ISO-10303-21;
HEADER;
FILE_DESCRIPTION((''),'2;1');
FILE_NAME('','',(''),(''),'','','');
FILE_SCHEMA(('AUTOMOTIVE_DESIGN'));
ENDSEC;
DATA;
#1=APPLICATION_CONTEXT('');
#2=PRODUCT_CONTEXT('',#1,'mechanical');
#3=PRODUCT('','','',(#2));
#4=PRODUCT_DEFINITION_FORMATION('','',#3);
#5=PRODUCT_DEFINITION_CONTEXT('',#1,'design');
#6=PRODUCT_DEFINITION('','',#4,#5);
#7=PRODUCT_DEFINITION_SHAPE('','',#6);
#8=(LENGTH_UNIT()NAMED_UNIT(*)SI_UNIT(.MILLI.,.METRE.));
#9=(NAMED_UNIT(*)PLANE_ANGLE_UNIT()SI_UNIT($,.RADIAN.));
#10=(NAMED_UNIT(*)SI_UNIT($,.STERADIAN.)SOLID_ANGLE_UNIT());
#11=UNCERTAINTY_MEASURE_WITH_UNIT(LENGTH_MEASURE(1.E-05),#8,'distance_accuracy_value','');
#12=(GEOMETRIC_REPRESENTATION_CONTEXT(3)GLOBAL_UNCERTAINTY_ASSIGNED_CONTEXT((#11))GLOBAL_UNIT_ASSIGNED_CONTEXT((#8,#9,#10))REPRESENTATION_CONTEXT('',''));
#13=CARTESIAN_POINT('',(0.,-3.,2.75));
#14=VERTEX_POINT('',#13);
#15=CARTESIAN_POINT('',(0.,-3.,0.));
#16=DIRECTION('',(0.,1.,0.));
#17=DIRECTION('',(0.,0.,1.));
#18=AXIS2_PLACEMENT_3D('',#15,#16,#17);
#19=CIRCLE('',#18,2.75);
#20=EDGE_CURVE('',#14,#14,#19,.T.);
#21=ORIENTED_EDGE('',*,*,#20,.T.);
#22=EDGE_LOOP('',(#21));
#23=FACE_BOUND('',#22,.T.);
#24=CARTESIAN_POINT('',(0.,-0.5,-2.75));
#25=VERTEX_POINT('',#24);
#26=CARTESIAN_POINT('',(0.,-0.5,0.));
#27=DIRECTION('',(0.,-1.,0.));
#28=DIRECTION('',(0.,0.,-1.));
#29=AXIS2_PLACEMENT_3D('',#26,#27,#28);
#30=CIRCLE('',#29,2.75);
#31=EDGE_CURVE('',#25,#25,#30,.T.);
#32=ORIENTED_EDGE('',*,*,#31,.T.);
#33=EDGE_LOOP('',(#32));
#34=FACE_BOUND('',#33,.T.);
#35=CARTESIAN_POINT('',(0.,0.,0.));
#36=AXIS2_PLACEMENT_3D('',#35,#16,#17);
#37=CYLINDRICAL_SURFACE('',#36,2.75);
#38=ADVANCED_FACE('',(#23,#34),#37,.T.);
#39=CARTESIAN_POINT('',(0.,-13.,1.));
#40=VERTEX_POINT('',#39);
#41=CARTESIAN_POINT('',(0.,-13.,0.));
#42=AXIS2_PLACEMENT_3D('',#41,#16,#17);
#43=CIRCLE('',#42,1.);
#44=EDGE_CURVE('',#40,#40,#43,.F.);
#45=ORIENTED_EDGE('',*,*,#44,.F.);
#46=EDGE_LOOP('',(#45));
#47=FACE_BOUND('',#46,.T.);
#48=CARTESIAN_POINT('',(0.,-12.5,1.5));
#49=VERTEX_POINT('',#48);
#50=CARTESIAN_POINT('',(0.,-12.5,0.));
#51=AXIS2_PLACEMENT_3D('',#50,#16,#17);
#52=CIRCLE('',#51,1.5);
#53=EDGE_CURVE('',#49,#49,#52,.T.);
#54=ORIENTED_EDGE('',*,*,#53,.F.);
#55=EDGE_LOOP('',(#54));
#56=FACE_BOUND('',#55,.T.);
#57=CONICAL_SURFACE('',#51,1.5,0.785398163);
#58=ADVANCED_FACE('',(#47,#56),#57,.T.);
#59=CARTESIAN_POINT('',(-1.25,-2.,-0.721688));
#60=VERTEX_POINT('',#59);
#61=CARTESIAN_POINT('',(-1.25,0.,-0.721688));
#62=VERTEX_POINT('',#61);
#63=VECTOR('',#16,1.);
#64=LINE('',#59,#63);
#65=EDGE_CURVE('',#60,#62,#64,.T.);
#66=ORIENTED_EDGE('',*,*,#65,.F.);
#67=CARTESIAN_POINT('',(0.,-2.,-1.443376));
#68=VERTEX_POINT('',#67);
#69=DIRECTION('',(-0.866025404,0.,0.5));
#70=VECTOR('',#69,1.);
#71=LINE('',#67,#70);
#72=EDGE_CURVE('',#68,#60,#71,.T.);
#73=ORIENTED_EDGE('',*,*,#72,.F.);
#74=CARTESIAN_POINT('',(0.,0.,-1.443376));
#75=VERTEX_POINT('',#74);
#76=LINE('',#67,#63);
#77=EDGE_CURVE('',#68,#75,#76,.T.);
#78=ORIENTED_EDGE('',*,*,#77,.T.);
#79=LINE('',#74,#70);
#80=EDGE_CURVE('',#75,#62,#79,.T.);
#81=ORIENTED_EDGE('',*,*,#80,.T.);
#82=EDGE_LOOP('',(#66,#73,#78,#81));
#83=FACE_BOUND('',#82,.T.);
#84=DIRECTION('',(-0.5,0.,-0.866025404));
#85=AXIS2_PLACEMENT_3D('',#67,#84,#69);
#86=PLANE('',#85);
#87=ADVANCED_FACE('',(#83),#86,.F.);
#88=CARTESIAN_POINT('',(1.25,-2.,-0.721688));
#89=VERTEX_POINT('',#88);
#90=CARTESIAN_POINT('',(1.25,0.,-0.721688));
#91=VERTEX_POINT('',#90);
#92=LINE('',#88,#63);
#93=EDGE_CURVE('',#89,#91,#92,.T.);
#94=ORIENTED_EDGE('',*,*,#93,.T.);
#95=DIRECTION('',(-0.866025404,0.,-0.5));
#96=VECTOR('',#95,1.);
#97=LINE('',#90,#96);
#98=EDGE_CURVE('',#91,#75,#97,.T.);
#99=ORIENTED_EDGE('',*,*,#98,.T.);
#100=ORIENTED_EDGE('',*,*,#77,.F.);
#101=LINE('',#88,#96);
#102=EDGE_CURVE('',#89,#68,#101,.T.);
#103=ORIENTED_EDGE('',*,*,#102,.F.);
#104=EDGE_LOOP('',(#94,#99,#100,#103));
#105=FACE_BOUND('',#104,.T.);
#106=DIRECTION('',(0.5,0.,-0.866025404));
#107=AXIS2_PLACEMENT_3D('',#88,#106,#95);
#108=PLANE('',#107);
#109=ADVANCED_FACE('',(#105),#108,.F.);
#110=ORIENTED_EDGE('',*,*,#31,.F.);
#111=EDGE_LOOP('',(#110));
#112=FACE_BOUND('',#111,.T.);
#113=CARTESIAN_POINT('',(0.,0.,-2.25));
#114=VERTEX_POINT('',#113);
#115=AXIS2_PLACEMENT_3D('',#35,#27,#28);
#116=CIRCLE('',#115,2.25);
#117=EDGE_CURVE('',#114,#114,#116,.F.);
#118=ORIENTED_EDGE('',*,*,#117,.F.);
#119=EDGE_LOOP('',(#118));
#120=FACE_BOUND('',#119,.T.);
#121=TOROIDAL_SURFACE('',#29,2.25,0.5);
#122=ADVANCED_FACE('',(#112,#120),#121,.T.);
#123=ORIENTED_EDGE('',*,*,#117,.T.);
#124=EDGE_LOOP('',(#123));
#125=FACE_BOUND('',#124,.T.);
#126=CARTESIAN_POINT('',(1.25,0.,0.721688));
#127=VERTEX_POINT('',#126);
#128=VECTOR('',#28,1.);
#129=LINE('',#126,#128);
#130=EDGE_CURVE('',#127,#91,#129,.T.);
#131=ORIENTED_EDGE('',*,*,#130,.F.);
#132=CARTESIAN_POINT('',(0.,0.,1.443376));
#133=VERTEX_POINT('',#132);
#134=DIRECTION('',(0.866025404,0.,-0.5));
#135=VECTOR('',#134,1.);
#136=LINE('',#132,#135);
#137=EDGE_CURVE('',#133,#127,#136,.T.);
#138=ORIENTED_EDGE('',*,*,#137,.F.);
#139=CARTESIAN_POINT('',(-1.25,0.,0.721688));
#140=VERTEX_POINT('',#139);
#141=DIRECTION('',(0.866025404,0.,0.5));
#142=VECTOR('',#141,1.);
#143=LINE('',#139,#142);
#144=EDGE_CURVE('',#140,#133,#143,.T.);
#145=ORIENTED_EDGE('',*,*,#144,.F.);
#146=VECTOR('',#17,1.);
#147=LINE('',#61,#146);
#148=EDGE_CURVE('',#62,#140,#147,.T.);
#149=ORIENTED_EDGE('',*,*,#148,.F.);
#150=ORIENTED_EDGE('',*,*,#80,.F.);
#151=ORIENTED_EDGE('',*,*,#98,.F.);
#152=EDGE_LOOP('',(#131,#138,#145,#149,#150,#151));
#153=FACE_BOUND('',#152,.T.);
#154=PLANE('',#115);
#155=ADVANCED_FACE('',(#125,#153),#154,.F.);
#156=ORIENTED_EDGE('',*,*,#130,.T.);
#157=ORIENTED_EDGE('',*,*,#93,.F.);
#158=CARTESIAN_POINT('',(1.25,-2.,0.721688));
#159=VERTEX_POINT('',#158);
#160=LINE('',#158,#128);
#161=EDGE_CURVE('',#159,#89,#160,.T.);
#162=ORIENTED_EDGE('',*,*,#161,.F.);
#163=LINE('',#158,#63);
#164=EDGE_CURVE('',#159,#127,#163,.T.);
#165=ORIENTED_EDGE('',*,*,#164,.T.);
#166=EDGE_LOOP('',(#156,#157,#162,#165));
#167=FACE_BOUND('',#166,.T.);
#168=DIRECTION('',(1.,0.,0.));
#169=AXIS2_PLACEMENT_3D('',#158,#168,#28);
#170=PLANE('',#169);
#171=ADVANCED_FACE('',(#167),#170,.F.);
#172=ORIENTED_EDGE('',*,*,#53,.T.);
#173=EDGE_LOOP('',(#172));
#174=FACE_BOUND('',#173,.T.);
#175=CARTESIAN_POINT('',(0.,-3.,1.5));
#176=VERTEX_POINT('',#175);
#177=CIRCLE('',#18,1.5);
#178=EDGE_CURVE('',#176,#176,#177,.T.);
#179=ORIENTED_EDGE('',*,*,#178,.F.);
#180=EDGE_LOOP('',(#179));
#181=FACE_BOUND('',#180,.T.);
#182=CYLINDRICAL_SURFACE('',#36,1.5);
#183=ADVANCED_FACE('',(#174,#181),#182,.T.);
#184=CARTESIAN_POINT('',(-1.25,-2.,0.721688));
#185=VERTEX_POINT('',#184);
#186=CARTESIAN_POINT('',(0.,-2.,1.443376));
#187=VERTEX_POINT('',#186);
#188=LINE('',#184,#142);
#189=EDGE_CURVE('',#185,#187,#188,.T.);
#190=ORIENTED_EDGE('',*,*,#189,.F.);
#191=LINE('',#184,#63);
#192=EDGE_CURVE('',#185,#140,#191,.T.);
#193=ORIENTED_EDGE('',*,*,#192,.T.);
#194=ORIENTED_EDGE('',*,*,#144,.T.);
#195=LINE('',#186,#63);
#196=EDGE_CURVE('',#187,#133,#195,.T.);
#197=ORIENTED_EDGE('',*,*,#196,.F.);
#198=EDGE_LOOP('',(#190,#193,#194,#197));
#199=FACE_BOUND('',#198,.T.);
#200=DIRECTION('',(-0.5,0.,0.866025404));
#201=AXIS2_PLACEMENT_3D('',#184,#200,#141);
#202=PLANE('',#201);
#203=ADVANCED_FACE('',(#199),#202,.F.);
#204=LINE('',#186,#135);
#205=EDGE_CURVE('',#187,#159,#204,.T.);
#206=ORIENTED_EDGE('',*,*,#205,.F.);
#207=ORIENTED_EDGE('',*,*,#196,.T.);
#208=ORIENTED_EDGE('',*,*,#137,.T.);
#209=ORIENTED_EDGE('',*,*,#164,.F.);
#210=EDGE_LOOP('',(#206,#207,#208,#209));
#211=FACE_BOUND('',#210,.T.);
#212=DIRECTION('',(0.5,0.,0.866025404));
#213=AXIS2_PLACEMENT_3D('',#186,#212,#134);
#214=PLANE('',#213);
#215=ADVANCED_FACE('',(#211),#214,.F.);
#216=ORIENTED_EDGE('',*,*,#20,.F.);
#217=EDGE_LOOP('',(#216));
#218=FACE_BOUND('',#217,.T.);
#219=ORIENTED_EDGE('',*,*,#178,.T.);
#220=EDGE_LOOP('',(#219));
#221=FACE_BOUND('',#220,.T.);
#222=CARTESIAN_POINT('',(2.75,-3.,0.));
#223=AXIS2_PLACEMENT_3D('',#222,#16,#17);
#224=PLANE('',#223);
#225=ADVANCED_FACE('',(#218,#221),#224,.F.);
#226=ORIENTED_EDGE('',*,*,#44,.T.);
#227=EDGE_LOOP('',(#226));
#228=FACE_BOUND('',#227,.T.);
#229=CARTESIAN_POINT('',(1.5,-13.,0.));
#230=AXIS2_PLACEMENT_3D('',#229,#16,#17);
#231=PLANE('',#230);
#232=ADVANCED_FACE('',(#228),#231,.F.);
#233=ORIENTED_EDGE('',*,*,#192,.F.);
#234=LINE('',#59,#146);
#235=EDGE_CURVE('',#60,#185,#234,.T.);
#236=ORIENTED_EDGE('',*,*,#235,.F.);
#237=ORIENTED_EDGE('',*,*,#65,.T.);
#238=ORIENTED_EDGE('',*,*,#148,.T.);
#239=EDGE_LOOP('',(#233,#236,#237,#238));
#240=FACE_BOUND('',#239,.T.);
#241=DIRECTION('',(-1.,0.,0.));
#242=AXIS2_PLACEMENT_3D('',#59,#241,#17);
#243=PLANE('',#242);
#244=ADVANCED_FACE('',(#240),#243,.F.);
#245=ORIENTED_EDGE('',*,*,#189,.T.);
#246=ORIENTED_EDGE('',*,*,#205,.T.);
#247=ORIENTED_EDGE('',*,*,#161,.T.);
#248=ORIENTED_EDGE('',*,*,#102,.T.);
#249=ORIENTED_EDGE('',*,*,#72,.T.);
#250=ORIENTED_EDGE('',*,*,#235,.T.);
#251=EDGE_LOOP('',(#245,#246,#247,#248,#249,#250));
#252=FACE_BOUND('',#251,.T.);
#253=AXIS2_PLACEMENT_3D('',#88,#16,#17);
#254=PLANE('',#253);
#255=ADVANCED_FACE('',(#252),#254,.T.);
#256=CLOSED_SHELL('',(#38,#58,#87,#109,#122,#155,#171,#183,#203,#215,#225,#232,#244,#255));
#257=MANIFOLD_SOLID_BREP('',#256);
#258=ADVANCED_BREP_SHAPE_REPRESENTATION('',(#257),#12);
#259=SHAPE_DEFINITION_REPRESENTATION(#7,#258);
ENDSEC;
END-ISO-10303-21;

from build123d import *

# Parameters (mm, degrees)
CORTAR_EXTRUIR1_DEPTH = 2
CHAFL_N1_SIZE         = 0.5
REDONDEO1_R           = 0.5


with BuildPart() as part:
    # Croquis1 → Revolución1 (revolve)
    with BuildSketch(Plane.XY):
        Polygon((0, 0), (2.75, 0), (2.75, -3), (1.5, -3), (1.5, -13), (0, -13), align=None)
    revolve(axis=Axis((0, 0, 0), (0, -1, 0)))

    # Croquis2 → Cortar-Extruir1 (cut)
    with BuildSketch(Plane(origin=(0, 0, 0), x_dir=(1, 0, 0), z_dir=(0, 1, 0))):
        Polygon((1.25, 0.721687836), (0, 1.443375673), (-1.25, 0.721687836), (-1.25, -0.721687836), (0, -1.443375673), (1.25, -0.721687836), align=None)
    extrude(amount=-CORTAR_EXTRUIR1_DEPTH, mode=Mode.SUBTRACT)

    # Chaflán1
    chafl_n1_edges = [part.edges().sort_by_distance(p)[0] for p in [
        (-1.5, -13, 0),
    ]]
    chamfer(chafl_n1_edges, length=CHAFL_N1_SIZE)

    # Redondeo1
    redondeo1_edges = [part.edges().sort_by_distance(p)[0] for p in [
        (-2.75, 0, 0),
    ]]
    fillet(redondeo1_edges, radius=REDONDEO1_R)


solid = part.part
